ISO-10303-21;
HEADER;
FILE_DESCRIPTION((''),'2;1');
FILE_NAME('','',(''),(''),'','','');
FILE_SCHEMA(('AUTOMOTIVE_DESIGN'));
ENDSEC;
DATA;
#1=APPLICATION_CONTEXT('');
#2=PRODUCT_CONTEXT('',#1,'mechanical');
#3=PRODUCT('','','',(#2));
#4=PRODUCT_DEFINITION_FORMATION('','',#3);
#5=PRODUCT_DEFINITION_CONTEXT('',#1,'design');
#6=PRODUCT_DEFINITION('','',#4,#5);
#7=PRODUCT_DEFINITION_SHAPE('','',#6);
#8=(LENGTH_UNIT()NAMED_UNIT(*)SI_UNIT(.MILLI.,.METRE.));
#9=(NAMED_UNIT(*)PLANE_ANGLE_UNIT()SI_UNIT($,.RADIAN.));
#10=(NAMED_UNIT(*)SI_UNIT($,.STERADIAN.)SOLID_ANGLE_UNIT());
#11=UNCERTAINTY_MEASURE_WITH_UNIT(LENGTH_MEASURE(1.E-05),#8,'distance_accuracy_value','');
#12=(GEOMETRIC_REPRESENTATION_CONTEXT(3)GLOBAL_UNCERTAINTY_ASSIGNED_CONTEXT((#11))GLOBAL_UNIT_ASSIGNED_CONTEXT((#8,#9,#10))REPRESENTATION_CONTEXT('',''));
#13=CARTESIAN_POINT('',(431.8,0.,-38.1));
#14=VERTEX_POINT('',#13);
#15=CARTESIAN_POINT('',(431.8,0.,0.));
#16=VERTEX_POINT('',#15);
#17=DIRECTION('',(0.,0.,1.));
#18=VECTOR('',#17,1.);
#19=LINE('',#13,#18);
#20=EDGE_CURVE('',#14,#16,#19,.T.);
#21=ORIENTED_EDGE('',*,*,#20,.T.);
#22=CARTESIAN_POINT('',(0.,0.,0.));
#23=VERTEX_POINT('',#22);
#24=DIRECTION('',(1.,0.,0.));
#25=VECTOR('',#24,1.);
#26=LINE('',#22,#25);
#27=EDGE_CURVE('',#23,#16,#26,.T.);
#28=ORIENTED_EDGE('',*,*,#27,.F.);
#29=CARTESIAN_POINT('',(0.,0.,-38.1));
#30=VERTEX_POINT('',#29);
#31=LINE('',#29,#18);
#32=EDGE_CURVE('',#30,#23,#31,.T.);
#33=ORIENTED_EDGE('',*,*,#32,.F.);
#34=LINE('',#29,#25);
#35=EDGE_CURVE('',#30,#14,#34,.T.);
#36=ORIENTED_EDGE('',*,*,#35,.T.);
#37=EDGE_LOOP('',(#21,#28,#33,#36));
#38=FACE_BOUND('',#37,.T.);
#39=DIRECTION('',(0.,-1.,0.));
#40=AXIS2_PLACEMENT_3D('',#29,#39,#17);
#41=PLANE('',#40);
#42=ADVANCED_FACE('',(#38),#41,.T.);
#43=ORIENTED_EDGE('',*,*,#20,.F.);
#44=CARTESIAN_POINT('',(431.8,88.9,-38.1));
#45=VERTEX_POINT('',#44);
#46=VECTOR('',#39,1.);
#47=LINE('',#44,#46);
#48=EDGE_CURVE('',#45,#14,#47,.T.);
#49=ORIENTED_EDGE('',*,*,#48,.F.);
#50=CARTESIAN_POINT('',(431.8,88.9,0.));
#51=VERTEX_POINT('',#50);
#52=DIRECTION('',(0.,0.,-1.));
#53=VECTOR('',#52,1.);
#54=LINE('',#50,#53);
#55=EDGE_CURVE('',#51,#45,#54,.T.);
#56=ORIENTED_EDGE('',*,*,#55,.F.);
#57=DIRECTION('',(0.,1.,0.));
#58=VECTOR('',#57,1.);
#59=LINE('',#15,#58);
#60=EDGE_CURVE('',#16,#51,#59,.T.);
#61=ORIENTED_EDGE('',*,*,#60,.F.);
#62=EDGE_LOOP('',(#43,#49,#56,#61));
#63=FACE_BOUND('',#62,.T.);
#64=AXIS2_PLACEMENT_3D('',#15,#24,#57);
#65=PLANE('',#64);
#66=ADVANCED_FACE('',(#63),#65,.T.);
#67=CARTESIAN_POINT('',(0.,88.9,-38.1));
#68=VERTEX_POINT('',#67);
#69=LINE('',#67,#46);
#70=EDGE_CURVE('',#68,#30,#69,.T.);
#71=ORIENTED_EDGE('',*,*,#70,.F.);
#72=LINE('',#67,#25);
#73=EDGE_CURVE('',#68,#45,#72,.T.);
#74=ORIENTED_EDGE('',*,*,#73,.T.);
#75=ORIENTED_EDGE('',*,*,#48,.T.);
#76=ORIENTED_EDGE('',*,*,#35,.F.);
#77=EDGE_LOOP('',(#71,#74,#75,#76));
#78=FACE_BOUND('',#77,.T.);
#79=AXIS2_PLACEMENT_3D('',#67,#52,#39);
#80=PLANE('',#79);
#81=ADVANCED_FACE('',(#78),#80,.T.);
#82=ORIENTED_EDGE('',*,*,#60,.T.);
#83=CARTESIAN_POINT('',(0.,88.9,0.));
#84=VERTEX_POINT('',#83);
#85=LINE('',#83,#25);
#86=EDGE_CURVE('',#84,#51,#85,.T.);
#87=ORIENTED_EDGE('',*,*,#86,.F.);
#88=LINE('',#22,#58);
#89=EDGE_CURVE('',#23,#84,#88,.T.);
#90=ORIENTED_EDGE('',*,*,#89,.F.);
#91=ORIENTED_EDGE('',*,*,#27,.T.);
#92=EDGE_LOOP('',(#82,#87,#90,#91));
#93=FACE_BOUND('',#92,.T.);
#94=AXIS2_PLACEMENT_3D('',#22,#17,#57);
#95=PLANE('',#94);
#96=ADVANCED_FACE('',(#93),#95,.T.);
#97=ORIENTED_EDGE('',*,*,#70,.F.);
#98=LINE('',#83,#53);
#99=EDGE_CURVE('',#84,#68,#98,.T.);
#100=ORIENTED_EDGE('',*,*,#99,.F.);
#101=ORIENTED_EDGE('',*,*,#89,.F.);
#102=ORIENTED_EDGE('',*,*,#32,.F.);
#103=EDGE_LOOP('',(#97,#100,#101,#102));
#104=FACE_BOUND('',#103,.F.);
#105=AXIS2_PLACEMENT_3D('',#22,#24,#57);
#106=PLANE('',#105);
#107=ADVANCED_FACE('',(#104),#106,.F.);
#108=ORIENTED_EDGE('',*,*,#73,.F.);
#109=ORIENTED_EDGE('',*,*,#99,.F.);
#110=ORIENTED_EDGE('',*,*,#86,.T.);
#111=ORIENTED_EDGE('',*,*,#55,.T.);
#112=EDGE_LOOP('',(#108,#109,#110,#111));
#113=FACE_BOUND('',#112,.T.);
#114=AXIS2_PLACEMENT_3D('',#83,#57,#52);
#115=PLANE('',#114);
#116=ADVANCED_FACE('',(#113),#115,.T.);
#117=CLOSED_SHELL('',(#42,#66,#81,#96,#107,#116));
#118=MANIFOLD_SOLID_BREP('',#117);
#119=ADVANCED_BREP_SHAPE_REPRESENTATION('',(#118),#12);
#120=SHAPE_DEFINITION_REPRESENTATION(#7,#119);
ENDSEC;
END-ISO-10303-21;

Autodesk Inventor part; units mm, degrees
ref_plane "YZ Plane" through (0, 0, 0) normal (1, 0, 0) x (0, 1, 0)
ref_plane "XZ Plane" through (0, 0, 0) normal (0, 1, 0) x (-1, 0, 0)
ref_plane "XY Plane" through (0, 0, 0) normal (0, 0, 1) x (1, 0, 0)
sketch "Sketch1" plane through (0, 0, 0) normal (1, 0, 0) x (0, 1, 0)
  line L0 (0, 0) -> (88.9, 0)
  line L1 (88.9, 0) -> (88.9, -38.1)
  line L2 (88.9, -38.1) -> (0, -38.1)
  line L3 (0, -38.1) -> (0, 0)
  dimension "d0" = 38.1
  dimension "d1" = 88.9
extrude "Extrusion1" add sketch "Sketch1" along normal blind 431.8
properties part number "H7bc" material "Wood (Cherry)"
